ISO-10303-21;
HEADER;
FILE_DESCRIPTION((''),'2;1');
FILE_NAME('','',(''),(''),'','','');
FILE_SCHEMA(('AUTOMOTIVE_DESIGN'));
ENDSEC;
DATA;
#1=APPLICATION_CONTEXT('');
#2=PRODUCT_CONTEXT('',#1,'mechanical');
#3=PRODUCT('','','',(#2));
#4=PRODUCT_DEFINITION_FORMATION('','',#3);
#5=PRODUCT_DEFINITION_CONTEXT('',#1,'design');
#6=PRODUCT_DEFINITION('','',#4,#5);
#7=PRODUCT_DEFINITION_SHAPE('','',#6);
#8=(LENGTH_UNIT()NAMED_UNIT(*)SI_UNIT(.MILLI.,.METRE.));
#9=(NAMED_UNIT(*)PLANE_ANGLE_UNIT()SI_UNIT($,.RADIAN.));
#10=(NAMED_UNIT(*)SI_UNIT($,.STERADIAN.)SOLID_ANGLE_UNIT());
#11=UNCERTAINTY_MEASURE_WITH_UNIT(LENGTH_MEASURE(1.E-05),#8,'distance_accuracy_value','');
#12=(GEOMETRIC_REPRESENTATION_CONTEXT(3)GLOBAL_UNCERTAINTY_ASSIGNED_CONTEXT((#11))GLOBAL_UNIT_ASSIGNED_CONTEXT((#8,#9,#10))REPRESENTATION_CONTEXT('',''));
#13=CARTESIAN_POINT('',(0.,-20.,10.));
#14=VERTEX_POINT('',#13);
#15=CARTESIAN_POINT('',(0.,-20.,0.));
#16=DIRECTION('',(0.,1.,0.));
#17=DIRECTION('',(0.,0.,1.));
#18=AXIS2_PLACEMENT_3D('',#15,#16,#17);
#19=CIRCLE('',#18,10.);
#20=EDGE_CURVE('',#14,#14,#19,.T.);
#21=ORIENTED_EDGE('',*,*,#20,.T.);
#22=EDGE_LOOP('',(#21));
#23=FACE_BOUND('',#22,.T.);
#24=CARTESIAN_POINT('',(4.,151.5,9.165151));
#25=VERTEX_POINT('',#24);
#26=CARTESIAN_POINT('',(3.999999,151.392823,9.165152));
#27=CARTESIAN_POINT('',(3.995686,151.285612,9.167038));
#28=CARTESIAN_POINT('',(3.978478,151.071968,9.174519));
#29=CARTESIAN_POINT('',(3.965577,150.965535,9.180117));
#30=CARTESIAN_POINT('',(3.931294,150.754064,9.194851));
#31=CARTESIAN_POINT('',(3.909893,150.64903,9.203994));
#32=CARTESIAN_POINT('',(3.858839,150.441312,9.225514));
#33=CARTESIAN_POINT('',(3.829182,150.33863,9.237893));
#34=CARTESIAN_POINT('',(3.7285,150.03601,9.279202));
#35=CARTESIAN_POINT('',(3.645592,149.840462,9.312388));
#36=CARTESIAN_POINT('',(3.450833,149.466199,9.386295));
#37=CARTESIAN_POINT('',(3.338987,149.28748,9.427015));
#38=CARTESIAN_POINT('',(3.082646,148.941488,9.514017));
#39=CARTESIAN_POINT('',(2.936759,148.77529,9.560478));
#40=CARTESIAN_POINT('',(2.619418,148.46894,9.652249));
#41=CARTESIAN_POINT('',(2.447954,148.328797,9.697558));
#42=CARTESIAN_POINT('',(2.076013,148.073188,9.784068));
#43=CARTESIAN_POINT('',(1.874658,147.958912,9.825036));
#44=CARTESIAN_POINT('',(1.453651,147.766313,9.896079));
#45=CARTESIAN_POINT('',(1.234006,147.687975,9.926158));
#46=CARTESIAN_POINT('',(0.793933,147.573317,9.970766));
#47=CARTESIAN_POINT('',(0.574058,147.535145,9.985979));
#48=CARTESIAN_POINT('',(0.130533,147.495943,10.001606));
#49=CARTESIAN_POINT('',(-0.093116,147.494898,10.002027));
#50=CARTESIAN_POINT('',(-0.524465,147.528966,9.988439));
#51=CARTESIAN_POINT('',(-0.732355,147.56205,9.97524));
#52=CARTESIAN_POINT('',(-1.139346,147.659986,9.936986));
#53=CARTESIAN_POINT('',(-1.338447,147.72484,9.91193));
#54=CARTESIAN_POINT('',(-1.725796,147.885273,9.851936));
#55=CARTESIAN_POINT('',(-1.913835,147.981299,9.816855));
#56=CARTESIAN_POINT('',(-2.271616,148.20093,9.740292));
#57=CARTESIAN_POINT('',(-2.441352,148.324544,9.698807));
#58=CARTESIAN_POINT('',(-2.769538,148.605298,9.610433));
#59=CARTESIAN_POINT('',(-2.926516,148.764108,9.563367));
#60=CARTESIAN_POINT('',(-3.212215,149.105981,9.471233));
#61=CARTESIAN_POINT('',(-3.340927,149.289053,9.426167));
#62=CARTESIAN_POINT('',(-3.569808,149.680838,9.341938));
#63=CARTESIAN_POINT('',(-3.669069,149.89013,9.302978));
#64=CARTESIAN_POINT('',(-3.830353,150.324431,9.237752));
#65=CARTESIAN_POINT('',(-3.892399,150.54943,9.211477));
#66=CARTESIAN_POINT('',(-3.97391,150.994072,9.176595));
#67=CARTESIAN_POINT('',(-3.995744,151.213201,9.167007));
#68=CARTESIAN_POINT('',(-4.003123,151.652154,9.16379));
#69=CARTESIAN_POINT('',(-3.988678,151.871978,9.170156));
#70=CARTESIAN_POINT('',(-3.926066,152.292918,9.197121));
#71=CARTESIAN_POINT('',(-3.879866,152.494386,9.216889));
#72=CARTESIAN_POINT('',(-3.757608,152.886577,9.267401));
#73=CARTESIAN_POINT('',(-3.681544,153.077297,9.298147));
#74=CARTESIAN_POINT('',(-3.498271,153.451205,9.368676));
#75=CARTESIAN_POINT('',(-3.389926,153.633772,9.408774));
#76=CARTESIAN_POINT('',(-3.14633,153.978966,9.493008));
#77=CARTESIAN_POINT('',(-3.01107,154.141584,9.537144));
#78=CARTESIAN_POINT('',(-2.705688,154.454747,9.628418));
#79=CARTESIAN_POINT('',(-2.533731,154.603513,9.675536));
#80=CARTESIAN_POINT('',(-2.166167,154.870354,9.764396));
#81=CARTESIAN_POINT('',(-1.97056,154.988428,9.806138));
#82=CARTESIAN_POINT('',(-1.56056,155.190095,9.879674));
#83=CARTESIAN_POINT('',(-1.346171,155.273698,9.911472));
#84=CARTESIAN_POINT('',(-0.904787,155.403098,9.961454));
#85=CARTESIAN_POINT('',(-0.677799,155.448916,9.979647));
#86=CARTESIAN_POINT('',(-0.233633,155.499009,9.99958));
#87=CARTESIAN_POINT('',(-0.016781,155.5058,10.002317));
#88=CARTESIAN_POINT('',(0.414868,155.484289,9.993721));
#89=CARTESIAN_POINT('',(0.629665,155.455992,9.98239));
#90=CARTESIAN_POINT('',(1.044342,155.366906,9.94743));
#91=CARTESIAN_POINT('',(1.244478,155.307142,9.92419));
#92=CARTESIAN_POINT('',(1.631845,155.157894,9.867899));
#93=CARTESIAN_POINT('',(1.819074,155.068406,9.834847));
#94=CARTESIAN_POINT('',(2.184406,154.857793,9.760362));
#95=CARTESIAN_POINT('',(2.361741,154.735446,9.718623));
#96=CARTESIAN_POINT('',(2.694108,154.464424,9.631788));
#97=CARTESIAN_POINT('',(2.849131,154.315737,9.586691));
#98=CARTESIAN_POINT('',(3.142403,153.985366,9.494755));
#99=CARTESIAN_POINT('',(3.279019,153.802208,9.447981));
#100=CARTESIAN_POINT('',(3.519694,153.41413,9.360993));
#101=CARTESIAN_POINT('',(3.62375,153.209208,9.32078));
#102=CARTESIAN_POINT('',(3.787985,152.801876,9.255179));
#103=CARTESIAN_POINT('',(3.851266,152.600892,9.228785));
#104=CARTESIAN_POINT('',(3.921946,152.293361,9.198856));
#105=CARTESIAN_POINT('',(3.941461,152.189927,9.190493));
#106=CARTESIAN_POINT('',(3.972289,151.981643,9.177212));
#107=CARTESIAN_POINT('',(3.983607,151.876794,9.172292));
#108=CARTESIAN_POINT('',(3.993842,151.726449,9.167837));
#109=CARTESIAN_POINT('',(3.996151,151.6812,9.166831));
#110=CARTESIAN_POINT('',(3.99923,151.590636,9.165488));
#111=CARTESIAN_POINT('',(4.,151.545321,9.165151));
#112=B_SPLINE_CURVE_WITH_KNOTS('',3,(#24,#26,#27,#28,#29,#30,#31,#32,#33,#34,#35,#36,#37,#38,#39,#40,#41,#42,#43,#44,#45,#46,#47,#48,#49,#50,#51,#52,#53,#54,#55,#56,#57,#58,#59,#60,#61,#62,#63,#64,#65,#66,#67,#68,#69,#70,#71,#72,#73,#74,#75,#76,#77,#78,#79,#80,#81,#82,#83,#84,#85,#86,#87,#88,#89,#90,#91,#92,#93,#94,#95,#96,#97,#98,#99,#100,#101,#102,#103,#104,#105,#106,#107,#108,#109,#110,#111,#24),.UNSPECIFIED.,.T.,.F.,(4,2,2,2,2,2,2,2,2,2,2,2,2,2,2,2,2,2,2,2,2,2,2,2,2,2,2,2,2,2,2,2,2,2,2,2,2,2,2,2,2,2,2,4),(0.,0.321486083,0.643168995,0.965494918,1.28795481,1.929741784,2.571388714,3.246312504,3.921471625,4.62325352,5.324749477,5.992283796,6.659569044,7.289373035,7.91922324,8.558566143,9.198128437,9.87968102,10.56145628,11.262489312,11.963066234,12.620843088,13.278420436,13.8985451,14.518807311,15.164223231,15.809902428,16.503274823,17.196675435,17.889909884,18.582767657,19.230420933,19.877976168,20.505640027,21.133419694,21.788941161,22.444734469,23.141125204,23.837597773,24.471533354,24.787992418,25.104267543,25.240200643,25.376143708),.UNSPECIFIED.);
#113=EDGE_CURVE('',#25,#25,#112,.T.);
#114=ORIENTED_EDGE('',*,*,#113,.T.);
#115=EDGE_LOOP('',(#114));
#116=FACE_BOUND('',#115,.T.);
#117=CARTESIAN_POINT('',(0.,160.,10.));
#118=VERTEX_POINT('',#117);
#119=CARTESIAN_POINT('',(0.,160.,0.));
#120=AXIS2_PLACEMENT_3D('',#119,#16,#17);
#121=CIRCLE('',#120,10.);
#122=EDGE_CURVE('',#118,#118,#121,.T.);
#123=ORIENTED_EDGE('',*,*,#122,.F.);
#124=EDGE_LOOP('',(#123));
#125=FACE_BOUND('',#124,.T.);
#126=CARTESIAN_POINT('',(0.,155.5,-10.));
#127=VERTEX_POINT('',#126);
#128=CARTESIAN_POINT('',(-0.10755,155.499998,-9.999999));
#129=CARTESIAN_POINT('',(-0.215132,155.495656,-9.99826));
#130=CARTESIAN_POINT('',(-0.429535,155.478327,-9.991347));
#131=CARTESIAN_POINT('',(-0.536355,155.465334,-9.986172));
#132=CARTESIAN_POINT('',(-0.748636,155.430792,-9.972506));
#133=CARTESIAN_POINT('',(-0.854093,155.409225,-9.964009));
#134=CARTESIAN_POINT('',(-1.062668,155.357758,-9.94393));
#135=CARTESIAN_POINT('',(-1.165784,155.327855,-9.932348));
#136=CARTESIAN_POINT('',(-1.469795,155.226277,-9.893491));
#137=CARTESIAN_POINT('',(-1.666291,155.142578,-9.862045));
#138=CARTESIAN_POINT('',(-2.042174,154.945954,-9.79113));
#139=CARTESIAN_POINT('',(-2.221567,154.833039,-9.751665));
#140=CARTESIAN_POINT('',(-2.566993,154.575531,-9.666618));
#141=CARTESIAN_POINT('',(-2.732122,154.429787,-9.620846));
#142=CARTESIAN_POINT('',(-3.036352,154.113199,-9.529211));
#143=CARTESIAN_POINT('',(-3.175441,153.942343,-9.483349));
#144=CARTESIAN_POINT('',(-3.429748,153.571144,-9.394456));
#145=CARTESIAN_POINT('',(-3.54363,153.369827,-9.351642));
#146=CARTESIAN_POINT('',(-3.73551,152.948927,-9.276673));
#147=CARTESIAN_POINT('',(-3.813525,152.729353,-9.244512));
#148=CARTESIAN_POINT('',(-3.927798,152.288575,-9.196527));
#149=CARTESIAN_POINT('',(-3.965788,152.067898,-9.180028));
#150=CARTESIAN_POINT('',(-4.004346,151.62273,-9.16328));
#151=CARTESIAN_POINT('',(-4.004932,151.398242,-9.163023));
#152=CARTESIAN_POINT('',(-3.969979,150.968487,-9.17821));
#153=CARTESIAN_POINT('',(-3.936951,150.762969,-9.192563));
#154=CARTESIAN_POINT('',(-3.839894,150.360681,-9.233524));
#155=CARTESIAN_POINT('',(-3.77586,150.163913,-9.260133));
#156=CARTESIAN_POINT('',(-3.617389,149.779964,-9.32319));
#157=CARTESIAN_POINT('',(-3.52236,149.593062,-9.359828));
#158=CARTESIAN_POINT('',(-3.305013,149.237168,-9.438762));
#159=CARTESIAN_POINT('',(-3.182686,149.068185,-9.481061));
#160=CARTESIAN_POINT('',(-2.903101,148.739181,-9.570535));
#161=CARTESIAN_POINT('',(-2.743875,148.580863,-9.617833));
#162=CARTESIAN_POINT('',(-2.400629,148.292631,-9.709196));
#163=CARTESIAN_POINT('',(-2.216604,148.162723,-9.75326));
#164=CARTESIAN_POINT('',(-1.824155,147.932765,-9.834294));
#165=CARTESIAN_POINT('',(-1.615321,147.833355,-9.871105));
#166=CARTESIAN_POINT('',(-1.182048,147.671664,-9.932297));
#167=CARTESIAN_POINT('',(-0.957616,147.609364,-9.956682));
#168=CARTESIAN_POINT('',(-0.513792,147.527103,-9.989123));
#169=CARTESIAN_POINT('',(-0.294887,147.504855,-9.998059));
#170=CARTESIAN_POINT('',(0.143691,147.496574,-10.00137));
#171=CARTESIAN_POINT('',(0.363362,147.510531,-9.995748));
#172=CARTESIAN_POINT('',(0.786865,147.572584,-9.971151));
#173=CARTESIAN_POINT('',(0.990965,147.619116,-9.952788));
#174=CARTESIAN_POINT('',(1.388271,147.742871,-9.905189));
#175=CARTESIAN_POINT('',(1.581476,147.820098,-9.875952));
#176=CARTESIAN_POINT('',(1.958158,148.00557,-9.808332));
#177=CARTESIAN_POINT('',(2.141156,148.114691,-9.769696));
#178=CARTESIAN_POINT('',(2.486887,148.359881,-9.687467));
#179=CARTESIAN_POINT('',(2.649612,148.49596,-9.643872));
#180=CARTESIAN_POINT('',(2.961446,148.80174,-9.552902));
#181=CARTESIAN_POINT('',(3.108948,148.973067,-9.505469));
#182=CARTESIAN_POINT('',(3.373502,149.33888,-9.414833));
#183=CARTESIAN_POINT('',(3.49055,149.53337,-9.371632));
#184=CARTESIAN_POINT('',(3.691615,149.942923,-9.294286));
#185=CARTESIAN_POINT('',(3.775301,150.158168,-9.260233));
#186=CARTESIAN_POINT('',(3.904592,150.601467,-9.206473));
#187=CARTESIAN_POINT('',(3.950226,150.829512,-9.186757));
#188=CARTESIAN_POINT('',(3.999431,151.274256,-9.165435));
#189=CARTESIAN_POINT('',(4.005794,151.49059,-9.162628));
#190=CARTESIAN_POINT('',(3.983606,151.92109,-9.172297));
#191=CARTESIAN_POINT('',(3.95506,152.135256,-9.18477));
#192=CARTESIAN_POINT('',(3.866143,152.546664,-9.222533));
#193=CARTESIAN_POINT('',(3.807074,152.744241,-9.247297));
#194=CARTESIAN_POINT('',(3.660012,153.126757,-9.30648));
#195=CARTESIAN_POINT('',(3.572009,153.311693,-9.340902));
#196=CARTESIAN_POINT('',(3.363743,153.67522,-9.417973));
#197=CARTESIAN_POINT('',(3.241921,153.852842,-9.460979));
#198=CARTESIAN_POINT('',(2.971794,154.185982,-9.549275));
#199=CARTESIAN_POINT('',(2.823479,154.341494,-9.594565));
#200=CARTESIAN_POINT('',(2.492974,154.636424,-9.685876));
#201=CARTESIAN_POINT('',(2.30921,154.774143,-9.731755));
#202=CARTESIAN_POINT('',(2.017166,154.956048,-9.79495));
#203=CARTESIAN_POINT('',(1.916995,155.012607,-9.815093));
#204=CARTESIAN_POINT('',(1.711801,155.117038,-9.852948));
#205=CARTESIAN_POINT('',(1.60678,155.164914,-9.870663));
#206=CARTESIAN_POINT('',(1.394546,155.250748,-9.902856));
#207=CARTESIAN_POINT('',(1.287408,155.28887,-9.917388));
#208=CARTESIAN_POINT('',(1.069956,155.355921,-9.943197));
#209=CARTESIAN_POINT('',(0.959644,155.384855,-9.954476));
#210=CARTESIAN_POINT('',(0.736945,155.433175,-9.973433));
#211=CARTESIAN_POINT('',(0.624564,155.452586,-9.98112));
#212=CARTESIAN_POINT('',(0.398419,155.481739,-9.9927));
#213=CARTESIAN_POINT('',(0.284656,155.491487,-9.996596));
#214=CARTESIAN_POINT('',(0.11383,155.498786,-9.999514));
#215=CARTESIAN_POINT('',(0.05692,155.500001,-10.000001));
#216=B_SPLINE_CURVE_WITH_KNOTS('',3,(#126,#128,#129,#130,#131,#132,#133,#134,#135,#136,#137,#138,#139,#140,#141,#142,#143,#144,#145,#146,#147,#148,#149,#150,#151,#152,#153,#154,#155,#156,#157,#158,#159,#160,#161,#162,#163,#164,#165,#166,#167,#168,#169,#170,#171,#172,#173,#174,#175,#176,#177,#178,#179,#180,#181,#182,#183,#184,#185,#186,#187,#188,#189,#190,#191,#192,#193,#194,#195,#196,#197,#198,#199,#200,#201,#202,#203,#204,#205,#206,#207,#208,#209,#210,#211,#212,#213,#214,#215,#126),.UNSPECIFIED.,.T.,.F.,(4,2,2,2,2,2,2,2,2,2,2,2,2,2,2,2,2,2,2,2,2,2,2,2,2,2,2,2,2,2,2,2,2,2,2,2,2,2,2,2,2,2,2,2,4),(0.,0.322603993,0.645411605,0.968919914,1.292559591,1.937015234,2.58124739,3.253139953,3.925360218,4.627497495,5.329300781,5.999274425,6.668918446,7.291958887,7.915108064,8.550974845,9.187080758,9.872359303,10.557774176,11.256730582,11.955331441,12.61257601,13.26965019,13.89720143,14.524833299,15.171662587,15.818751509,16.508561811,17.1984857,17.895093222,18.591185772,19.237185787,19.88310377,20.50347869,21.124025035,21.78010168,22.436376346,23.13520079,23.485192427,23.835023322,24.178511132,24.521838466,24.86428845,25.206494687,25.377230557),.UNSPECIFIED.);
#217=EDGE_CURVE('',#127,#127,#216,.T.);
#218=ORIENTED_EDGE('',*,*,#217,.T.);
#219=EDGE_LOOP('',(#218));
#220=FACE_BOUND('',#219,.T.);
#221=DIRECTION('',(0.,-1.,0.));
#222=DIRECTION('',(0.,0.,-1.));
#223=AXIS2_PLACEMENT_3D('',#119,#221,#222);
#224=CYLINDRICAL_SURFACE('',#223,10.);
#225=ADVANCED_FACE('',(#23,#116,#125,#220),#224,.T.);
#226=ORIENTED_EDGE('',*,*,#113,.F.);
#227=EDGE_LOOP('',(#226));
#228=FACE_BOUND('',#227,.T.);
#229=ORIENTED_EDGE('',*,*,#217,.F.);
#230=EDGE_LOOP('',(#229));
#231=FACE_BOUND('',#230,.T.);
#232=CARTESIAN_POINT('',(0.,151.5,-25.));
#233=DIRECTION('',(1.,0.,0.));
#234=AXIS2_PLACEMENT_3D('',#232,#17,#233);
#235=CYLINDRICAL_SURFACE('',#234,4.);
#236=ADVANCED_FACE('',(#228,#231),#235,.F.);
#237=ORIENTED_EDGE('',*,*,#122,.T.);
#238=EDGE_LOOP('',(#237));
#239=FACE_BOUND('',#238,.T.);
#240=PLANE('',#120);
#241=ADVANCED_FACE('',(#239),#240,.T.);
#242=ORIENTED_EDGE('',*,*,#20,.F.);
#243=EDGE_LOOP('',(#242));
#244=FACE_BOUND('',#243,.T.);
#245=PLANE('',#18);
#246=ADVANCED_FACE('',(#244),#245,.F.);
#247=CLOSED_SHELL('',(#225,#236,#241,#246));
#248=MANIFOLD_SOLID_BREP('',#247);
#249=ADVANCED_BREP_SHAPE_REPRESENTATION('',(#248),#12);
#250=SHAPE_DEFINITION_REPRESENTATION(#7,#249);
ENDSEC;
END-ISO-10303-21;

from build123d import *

# Parameters (mm, degrees)
EXTRUDE_START       = -20
SKETCH_1_R          = 10
EXTRUDE_1_DEPTH     = 180
SKETCH_2_R          = 4
CUT_EXTRUDE_2_DEPTH = 25


with BuildPart() as part:
    # Эскиз1 → Вытянуть1 (new body)
    with BuildSketch(Plane(origin=(0, 0, 0), x_dir=(1, 0, 0), z_dir=(0, 1, 0)).offset(EXTRUDE_START)):
        with Locations(Location((0, 0, 0), (0, 0, 90))):
            Circle(SKETCH_1_R)
    extrude(amount=EXTRUDE_1_DEPTH)

    # Эскиз2 → Вытянуть2 (cut, symmetric)
    with BuildSketch(Plane.XY):
        with Locations(Location((0, 151.5, 0), (0, 0, 89.999999999))):
            Circle(SKETCH_2_R)
    extrude(amount=CUT_EXTRUDE_2_DEPTH, both=True, mode=Mode.SUBTRACT)


solid = part.part
